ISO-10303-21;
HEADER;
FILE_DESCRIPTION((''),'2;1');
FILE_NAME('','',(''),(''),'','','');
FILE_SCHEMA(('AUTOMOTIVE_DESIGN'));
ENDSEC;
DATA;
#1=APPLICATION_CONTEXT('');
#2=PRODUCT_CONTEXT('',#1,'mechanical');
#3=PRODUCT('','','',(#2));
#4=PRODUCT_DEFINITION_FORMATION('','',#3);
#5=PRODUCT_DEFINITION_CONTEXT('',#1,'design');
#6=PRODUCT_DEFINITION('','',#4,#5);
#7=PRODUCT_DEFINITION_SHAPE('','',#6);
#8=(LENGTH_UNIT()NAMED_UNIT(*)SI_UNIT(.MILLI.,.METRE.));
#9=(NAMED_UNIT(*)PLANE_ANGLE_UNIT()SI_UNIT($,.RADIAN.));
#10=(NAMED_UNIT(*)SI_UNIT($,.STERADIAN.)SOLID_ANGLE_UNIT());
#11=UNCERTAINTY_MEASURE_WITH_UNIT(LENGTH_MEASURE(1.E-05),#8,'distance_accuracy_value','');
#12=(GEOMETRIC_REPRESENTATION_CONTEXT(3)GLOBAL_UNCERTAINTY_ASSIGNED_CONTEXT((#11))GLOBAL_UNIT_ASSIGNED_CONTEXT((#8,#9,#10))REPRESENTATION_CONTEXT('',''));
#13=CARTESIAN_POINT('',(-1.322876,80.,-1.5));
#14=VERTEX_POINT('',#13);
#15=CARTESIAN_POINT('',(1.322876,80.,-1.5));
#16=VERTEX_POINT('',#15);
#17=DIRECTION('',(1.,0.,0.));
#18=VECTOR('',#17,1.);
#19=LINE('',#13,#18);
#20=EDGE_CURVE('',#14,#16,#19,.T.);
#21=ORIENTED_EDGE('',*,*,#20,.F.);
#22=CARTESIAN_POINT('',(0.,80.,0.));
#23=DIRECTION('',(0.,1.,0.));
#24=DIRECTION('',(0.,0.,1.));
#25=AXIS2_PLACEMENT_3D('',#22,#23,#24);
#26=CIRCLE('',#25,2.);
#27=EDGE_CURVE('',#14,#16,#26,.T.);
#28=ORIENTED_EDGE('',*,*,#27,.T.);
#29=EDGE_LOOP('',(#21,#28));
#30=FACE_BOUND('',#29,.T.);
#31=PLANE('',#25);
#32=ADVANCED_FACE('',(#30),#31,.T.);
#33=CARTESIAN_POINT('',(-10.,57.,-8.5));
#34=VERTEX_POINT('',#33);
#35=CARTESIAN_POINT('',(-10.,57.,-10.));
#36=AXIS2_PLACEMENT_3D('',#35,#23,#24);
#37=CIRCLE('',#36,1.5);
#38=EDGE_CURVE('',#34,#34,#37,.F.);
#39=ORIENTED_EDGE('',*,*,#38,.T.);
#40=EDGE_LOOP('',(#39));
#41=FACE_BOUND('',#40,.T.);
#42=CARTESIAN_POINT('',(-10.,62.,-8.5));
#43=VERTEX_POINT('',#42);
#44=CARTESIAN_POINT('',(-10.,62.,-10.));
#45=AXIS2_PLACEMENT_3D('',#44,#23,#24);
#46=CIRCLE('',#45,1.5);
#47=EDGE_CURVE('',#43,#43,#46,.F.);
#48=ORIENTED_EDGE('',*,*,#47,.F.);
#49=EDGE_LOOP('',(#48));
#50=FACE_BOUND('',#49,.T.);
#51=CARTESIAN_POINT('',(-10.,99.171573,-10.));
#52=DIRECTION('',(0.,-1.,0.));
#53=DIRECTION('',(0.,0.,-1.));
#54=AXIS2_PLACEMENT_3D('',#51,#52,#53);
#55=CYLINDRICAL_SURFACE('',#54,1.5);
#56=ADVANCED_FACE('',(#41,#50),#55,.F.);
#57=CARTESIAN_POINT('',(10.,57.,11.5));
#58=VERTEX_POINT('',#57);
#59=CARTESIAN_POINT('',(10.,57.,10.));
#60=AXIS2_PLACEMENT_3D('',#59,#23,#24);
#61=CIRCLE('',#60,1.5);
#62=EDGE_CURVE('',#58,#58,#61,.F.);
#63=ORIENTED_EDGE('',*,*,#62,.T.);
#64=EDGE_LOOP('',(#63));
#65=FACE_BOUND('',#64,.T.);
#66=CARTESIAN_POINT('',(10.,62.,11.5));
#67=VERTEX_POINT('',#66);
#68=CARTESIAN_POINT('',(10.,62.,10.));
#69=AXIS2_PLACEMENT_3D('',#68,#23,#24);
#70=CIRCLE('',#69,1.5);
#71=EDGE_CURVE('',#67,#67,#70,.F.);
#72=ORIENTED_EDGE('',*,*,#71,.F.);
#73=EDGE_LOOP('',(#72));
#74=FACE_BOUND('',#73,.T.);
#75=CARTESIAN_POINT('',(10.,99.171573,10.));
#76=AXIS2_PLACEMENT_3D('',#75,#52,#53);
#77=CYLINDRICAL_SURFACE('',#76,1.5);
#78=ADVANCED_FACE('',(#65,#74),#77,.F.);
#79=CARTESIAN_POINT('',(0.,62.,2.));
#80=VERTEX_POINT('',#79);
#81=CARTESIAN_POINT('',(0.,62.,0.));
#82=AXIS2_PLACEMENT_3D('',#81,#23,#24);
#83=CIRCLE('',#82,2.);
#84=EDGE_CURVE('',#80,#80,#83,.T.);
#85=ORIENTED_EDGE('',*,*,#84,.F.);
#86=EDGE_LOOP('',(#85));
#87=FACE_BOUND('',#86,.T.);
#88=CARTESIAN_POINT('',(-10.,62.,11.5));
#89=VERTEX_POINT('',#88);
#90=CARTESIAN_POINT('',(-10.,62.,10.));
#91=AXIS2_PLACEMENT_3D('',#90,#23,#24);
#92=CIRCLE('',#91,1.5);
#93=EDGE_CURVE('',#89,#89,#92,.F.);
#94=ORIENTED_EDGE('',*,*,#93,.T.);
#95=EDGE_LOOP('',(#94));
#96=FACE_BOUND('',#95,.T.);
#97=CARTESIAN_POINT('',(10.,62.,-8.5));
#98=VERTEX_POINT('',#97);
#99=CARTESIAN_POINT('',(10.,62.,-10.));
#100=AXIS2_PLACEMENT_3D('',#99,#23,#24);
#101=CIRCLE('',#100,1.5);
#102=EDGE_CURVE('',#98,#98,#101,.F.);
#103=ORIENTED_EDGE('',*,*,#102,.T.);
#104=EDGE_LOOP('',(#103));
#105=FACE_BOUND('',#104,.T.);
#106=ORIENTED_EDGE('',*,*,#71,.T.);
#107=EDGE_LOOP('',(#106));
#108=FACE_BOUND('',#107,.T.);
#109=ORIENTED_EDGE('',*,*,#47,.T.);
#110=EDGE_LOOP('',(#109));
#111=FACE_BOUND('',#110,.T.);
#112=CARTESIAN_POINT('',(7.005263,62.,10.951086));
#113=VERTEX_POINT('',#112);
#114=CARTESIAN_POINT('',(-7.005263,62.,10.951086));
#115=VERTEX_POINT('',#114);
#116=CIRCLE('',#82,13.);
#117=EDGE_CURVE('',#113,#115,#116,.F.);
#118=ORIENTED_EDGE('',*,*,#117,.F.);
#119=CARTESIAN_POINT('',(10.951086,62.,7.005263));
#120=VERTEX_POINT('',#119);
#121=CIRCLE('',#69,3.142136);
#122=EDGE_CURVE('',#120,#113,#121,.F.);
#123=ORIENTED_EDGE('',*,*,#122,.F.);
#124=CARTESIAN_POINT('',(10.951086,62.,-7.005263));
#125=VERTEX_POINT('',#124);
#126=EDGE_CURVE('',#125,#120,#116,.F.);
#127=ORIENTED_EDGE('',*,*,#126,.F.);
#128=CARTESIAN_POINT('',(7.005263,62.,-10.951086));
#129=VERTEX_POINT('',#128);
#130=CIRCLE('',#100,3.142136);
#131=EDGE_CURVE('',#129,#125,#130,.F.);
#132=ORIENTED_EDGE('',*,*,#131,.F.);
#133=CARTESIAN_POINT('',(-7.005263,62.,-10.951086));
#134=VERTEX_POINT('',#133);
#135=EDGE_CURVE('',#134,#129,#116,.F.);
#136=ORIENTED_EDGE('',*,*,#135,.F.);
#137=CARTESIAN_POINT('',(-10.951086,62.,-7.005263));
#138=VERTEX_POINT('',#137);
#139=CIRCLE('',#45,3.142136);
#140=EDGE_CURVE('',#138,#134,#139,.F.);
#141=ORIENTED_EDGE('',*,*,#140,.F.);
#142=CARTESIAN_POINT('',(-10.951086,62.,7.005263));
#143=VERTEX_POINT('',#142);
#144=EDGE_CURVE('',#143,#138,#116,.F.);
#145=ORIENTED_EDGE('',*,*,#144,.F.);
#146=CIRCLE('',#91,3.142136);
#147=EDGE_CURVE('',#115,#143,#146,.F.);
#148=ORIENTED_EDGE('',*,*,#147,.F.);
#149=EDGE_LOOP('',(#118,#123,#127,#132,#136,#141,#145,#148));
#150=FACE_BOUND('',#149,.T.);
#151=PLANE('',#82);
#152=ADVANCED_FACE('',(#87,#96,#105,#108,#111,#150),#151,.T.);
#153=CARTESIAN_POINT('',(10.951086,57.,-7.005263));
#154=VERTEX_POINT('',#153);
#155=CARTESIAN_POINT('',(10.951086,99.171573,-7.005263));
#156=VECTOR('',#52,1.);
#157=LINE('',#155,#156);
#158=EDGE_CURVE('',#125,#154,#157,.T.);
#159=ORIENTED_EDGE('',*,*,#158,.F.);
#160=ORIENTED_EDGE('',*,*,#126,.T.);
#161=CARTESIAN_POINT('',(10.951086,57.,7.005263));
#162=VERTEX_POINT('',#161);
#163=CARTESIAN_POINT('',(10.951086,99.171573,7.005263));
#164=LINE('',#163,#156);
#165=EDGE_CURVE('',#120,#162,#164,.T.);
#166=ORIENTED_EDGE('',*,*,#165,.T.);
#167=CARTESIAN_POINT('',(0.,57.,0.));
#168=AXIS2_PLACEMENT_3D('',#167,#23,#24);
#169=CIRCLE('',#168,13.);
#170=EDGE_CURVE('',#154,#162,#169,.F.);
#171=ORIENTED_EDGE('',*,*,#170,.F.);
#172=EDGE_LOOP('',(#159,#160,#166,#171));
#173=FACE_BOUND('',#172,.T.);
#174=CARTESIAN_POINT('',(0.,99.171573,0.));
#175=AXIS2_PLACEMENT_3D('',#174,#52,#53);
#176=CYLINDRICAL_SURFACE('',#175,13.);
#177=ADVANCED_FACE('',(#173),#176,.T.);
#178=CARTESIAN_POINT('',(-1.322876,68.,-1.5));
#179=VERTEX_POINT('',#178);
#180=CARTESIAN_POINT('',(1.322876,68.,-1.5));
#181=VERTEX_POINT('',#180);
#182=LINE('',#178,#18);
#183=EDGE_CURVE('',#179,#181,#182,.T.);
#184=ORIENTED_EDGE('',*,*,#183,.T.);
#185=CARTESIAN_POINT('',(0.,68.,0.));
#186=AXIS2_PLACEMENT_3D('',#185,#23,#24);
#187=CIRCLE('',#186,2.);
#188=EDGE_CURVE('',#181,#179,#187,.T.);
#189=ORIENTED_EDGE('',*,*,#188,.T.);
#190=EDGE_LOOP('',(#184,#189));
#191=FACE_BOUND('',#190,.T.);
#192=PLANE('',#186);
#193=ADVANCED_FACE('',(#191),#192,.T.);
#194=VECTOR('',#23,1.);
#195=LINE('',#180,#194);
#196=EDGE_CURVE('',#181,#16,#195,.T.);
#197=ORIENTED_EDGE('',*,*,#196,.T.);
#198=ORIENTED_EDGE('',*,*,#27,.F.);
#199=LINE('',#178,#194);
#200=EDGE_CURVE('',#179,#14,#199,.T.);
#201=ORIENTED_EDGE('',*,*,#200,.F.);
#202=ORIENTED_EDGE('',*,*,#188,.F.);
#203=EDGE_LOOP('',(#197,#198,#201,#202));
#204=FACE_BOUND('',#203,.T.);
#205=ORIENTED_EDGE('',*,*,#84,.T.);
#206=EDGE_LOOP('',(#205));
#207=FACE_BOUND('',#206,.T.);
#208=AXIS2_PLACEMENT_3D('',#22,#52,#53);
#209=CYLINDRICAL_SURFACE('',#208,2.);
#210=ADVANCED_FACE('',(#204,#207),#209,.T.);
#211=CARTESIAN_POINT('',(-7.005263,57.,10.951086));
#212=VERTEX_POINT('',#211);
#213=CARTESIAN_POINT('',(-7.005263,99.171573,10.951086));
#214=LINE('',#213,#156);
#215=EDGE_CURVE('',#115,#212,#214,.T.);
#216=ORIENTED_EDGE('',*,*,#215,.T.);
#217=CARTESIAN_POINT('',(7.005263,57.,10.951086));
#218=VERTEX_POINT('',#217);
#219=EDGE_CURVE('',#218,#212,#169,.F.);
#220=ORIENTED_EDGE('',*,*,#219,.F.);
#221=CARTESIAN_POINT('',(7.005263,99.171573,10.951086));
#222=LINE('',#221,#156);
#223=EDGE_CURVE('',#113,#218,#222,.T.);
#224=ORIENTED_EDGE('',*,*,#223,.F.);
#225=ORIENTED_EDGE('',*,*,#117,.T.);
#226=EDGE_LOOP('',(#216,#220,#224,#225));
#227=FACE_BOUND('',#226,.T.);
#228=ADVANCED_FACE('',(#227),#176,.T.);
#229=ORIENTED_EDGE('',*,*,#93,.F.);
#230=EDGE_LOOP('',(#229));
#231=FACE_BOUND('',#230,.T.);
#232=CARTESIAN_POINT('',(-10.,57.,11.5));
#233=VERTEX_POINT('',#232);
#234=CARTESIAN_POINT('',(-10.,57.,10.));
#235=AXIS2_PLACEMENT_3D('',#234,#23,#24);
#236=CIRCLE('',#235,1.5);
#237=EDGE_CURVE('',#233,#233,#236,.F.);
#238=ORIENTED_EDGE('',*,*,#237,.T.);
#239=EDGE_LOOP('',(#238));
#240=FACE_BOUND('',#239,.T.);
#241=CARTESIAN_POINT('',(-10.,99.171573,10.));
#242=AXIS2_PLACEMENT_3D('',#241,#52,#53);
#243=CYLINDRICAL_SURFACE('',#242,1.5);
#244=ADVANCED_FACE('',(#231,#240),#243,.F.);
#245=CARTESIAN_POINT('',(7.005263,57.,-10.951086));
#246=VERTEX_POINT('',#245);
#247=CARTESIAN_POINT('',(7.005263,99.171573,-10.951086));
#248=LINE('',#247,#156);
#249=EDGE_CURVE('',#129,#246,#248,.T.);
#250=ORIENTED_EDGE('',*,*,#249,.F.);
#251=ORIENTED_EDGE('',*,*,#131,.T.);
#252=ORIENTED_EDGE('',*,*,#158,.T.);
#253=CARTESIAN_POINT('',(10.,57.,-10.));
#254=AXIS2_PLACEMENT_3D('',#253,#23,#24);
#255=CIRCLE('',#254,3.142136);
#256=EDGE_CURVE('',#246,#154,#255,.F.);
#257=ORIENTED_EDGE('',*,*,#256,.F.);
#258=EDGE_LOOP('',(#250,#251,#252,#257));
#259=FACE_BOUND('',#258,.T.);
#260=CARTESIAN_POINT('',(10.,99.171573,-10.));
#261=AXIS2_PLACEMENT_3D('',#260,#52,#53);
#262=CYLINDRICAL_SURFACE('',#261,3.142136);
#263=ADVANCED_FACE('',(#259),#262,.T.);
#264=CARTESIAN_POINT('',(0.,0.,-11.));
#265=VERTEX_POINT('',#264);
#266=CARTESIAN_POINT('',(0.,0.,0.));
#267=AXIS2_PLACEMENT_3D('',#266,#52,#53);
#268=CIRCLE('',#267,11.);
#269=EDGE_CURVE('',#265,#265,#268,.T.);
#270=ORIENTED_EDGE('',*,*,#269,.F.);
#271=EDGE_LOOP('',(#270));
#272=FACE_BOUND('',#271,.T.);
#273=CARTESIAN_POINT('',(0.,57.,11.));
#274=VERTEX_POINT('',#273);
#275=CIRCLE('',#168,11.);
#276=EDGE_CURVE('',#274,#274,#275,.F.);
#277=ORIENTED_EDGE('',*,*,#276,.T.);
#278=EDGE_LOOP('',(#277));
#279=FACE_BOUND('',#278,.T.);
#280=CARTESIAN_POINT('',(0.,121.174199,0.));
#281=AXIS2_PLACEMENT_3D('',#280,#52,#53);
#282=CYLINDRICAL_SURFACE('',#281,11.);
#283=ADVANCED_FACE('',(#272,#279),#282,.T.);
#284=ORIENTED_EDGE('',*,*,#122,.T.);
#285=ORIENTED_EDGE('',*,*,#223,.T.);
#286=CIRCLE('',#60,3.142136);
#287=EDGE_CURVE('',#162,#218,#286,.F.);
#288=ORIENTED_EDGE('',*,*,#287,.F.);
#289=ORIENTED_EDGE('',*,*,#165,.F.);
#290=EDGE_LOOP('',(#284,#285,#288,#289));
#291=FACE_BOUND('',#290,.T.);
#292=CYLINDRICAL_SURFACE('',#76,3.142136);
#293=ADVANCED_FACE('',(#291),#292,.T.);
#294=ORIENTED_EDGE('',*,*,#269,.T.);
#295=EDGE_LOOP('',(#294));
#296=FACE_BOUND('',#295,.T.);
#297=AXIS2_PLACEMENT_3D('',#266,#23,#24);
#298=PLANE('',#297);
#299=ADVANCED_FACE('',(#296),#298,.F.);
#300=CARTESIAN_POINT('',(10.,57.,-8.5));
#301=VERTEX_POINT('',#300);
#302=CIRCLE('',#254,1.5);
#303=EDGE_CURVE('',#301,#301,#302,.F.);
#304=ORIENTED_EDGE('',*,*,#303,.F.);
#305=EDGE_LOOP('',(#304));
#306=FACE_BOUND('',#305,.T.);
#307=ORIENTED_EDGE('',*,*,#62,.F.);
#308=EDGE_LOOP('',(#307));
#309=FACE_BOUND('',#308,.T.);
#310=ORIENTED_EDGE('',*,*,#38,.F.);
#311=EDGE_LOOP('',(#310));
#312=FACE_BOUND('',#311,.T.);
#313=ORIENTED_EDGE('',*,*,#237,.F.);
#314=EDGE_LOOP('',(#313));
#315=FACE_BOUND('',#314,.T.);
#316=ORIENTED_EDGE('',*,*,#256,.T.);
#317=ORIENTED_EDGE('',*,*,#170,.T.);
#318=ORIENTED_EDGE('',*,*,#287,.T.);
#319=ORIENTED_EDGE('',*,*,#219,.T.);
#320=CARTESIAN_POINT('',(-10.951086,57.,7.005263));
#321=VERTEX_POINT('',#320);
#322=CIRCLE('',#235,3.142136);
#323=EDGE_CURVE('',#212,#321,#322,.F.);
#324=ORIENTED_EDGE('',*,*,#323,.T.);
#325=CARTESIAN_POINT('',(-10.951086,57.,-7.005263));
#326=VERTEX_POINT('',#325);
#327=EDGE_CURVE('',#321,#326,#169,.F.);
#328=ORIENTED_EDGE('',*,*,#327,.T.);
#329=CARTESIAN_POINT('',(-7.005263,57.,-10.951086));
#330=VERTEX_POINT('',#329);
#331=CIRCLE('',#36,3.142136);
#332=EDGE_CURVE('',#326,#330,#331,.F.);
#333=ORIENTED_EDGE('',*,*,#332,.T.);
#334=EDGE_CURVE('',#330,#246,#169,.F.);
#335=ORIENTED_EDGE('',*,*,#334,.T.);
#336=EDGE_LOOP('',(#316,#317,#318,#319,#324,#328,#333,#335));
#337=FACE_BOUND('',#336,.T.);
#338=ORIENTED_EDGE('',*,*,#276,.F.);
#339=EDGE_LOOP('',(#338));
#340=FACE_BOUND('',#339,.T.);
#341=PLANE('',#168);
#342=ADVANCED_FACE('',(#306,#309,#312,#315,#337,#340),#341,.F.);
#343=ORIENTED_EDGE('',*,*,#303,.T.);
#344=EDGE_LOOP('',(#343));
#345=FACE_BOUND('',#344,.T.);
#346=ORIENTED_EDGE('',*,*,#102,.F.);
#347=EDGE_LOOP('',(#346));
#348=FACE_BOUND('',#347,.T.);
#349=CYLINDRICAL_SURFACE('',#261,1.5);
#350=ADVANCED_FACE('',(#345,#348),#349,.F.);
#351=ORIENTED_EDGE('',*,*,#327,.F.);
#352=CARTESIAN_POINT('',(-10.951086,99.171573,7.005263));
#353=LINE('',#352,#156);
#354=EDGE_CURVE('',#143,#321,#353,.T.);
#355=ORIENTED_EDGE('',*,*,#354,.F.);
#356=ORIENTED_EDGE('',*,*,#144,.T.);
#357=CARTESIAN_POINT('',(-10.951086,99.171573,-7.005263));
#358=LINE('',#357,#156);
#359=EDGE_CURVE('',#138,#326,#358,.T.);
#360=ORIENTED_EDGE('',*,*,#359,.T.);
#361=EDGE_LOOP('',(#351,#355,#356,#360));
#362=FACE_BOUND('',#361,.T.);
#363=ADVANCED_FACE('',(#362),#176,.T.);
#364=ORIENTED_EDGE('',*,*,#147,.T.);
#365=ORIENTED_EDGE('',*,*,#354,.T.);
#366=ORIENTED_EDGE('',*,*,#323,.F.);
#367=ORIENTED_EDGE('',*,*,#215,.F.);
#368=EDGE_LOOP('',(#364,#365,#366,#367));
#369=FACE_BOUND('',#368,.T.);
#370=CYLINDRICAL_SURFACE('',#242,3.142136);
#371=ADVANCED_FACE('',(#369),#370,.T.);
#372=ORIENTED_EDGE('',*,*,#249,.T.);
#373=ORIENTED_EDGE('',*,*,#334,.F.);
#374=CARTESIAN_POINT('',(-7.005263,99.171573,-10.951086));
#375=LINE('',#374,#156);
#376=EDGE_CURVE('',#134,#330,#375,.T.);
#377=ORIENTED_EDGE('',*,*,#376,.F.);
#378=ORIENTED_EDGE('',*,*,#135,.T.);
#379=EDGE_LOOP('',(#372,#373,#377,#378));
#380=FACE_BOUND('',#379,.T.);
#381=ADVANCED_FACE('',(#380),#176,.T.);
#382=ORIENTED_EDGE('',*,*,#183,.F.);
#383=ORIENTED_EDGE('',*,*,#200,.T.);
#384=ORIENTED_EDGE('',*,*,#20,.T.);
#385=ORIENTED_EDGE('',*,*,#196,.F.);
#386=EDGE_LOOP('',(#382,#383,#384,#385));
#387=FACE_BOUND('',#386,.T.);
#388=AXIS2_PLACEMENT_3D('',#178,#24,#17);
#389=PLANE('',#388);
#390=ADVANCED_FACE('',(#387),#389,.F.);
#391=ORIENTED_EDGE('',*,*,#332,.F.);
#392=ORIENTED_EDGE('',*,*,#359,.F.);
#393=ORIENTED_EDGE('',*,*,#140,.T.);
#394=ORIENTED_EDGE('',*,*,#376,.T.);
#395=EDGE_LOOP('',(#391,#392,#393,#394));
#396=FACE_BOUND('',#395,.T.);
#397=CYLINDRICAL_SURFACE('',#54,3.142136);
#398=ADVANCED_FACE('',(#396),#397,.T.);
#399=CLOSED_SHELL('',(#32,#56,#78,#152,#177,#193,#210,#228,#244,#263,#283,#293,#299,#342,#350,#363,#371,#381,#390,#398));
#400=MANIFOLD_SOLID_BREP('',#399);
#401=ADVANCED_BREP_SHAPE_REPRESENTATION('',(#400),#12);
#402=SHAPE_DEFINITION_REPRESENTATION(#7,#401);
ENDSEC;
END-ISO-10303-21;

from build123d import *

# Parameters (mm, degrees)
SKETCH1_R      = 11
EXTRUDE1_DEPTH = 62
SKETCH2_R      = 2
EXTRUDE2_DEPTH = 18
SKETCH3_R      = 1.5
SKETCH3_R_2    = 11
EXTRUDE3_DEPTH = 62
SKETCH4_R      = 20.921238725
SKETCH4_R_2    = 11
EXTRUDE4_DEPTH = 57
EXTRUDE5_START = -12
EXTRUDE5_DEPTH = 12


with BuildPart() as part:
    # Sketch1 → Extrude1 (new body)
    with BuildSketch(Plane(origin=(0, 0, 0), x_dir=(1, 0, 0), z_dir=(0, 1, 0))):
        with Locations(Location((0, 0, 0), (0, 0, 270))):
            Circle(SKETCH1_R)
    extrude(amount=EXTRUDE1_DEPTH)

    # Sketch2 → Extrude2 (add)
    with BuildSketch(Plane(origin=(0, 62, 0), x_dir=(1, 0, 0), z_dir=(0, 1, 0))):
        with Locations(Location((0, 0, 0), (0, 0, 270))):
            Circle(SKETCH2_R)
    extrude(amount=EXTRUDE2_DEPTH)

    # Sketch3 → Extrude3 (add)
    with BuildSketch(Plane.XZ):
        with BuildLine():
            ThreePointArc((10.951086395, -7.005262792), (13, 0), (10.951086395, 7.005262792))
            ThreePointArc((10.951086395, 7.005262792), (12.221825407, 12.221825407), (7.005262792, 10.951086395))
            ThreePointArc((7.005262792, 10.951086395), (0, 13), (-7.005262792, 10.951086395))
            ThreePointArc((-7.005262792, 10.951086395), (-12.221825407, 12.221825407), (-10.951086395, 7.005262792))
            ThreePointArc((-10.951086395, 7.005262792), (-13, 0), (-10.951086395, -7.005262792))
            ThreePointArc((-10.951086395, -7.005262792), (-12.221825407, -12.221825407), (-7.005262792, -10.951086395))
            ThreePointArc((-7.005262792, -10.951086395), (0, -13), (7.005262792, -10.951086395))
            ThreePointArc((7.005262792, -10.951086395), (12.221825407, -12.221825407), (10.951086395, -7.005262792))
        make_face()
        with Locations(Location((10, -10, 0), (0, 0, 270))):
            Circle(SKETCH3_R, mode=Mode.SUBTRACT)
        with Locations(Location((10, 10, 0), (0, 0, 270))):
            Circle(SKETCH3_R, mode=Mode.SUBTRACT)
        with Locations(Location((-10, 10, 0), (0, 0, 270))):
            Circle(SKETCH3_R, mode=Mode.SUBTRACT)
        with Locations(Location((-10, -10, 0), (0, 0, 270))):
            Circle(SKETCH3_R, mode=Mode.SUBTRACT)
        Circle(SKETCH3_R_2, mode=Mode.SUBTRACT)
    extrude(amount=-EXTRUDE3_DEPTH)

    # Sketch4 → Extrude4 (cut)
    with BuildSketch(Plane.XZ):
        Circle(SKETCH4_R)
        with Locations(Location((0, 0, 0), (0, 0, 270))):
            Circle(SKETCH4_R_2, mode=Mode.SUBTRACT)
    extrude(amount=-EXTRUDE4_DEPTH, mode=Mode.SUBTRACT)

    # Sketch5 → Extrude5 (cut)
    with BuildSketch(Plane(origin=(0, 80, 0), x_dir=(1, 0, 0), z_dir=(0, 1, 0)).offset(EXTRUDE5_START)):
        with BuildLine():
            Line((-1.322875656, 1.5), (1.322875656, 1.5))
            ThreePointArc((1.322875656, 1.5), (0, 2), (-1.322875656, 1.5))
        make_face()
    extrude(amount=EXTRUDE5_DEPTH, mode=Mode.SUBTRACT)


solid = part.part
